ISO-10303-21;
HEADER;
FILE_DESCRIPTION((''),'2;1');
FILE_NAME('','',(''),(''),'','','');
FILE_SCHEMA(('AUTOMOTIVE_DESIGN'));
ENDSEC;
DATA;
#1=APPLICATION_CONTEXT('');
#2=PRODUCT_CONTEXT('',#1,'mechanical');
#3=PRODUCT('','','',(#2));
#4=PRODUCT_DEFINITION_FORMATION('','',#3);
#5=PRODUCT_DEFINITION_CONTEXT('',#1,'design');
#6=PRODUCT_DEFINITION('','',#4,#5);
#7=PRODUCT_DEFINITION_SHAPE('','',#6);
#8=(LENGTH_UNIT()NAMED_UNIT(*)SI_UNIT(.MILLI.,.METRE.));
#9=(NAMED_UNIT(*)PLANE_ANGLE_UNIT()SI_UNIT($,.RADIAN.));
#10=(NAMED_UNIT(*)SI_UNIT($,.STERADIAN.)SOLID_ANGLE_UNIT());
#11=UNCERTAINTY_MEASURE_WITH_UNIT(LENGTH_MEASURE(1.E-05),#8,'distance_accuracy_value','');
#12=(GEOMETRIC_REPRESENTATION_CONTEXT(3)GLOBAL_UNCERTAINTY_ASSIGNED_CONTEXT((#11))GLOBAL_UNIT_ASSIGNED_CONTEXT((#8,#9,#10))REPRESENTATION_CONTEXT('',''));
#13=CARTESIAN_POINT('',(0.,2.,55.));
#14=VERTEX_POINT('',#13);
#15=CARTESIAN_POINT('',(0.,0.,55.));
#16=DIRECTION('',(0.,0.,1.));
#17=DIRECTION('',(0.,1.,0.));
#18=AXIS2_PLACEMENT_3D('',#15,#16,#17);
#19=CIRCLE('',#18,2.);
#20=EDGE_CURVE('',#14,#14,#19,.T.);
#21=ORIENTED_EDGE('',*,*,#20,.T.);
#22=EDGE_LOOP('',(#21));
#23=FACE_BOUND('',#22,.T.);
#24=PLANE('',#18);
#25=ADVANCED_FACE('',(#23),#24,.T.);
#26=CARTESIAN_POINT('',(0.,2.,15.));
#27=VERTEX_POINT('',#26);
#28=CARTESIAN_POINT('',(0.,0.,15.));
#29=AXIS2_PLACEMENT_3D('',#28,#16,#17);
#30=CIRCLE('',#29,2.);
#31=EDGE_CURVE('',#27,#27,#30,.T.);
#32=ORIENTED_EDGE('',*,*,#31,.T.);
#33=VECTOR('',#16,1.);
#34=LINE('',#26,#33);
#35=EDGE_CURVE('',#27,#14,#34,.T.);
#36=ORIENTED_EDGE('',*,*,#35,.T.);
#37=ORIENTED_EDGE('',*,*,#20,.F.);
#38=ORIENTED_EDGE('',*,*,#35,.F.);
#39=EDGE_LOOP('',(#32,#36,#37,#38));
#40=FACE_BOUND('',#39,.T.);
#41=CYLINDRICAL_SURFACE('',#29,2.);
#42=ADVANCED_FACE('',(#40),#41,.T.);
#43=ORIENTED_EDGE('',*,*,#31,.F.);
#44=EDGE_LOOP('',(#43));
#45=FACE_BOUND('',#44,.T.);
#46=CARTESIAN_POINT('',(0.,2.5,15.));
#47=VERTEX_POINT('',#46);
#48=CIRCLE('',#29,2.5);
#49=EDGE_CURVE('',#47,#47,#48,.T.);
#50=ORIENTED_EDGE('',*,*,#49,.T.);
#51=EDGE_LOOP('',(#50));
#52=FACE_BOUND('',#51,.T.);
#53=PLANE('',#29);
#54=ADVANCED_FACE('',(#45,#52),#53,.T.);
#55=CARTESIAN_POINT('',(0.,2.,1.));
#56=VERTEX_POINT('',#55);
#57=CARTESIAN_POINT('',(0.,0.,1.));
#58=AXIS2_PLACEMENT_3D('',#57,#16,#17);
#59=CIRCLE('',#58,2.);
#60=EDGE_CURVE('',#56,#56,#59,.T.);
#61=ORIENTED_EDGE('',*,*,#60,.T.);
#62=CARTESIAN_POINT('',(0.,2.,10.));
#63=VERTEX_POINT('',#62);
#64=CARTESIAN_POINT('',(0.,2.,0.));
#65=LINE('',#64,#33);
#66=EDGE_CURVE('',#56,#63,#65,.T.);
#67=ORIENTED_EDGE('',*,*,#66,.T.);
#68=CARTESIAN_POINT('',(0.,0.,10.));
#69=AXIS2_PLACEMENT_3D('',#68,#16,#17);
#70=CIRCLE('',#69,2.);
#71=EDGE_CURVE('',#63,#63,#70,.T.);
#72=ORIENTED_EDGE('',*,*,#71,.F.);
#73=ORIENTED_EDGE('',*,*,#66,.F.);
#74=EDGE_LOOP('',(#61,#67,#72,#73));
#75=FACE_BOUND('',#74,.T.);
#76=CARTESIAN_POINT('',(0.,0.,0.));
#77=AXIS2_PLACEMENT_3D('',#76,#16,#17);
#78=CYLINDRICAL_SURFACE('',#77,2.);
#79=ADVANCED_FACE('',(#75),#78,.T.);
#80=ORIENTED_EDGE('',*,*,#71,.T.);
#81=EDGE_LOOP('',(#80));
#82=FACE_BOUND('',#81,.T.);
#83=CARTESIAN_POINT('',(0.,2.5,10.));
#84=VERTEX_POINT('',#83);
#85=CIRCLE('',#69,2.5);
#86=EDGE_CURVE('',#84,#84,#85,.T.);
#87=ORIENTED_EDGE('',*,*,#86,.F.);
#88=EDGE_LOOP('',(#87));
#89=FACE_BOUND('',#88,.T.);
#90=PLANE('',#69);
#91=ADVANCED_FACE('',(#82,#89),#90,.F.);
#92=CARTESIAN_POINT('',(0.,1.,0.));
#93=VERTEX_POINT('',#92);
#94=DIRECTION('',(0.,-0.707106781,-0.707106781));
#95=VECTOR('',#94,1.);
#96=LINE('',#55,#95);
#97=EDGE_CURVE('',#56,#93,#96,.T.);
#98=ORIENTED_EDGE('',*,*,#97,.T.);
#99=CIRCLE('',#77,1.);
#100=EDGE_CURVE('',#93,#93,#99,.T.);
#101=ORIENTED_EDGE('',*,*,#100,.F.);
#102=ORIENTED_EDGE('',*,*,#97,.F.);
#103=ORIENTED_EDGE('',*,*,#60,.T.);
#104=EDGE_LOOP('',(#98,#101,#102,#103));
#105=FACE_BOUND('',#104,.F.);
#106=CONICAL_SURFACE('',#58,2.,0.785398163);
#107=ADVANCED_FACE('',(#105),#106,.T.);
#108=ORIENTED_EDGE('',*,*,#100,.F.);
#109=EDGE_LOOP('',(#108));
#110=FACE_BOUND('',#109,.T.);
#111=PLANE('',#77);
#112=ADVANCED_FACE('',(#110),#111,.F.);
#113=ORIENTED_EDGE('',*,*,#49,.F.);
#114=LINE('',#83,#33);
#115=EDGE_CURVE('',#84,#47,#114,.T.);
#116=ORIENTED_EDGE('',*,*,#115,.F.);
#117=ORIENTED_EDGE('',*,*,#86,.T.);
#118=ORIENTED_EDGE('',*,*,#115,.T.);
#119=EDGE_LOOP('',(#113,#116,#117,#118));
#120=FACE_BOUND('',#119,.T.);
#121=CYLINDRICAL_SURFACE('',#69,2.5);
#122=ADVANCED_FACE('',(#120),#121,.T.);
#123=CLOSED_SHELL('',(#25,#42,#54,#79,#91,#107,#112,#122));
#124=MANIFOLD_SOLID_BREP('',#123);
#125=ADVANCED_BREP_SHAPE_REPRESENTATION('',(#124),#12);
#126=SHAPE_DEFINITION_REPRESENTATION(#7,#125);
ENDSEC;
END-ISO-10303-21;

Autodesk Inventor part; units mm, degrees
ref_plane "YZ Plane" through (0, 0, 0) normal (1, 0, 0) x (0, 1, 0)
ref_plane "XZ Plane" through (0, 0, 0) normal (0, 1, 0) x (-1, 0, 0)
ref_plane "XY Plane" through (0, 0, 0) normal (0, 0, 1) x (1, 0, 0)
sketch "Esquisse2" plane through (0, 0, 0) normal (1, 0, 0) x (0, 1, 0)
  line L0 (0, 0) -> (0, 55)
  line L1 (0, 0) -> (2, 0)
  line L2 (2, 0) -> (2, 10)
  line L3 (2, 10) -> (2.5, 10)
  line L4 (2.5, 10) -> (2.5, 15)
  line L5 (2.5, 15) -> (2, 15)
  line L6 (2, 15) -> (2, 55)
  line L7 (2, 55) -> (0, 55)
  dimension "d3" = 10
  dimension "d4" = 0.5
  dimension "d5" = 2
  dimension "d6" = 5
  dimension "d20" = 40
revolve "Révolution1" add sketch "Esquisse2" angle 360 about axis through (0, 0, 0) along (0, 0, 1)
thread "Filetage1" size "M4x0.5" class "6g" standard "ANSI Metric M Profile" length 9
chamfer "Chanfrein1" distance 1 angle 45 1 edges at (0, -2, 0)
properties part number "cartridge_locker_piston_axe"
